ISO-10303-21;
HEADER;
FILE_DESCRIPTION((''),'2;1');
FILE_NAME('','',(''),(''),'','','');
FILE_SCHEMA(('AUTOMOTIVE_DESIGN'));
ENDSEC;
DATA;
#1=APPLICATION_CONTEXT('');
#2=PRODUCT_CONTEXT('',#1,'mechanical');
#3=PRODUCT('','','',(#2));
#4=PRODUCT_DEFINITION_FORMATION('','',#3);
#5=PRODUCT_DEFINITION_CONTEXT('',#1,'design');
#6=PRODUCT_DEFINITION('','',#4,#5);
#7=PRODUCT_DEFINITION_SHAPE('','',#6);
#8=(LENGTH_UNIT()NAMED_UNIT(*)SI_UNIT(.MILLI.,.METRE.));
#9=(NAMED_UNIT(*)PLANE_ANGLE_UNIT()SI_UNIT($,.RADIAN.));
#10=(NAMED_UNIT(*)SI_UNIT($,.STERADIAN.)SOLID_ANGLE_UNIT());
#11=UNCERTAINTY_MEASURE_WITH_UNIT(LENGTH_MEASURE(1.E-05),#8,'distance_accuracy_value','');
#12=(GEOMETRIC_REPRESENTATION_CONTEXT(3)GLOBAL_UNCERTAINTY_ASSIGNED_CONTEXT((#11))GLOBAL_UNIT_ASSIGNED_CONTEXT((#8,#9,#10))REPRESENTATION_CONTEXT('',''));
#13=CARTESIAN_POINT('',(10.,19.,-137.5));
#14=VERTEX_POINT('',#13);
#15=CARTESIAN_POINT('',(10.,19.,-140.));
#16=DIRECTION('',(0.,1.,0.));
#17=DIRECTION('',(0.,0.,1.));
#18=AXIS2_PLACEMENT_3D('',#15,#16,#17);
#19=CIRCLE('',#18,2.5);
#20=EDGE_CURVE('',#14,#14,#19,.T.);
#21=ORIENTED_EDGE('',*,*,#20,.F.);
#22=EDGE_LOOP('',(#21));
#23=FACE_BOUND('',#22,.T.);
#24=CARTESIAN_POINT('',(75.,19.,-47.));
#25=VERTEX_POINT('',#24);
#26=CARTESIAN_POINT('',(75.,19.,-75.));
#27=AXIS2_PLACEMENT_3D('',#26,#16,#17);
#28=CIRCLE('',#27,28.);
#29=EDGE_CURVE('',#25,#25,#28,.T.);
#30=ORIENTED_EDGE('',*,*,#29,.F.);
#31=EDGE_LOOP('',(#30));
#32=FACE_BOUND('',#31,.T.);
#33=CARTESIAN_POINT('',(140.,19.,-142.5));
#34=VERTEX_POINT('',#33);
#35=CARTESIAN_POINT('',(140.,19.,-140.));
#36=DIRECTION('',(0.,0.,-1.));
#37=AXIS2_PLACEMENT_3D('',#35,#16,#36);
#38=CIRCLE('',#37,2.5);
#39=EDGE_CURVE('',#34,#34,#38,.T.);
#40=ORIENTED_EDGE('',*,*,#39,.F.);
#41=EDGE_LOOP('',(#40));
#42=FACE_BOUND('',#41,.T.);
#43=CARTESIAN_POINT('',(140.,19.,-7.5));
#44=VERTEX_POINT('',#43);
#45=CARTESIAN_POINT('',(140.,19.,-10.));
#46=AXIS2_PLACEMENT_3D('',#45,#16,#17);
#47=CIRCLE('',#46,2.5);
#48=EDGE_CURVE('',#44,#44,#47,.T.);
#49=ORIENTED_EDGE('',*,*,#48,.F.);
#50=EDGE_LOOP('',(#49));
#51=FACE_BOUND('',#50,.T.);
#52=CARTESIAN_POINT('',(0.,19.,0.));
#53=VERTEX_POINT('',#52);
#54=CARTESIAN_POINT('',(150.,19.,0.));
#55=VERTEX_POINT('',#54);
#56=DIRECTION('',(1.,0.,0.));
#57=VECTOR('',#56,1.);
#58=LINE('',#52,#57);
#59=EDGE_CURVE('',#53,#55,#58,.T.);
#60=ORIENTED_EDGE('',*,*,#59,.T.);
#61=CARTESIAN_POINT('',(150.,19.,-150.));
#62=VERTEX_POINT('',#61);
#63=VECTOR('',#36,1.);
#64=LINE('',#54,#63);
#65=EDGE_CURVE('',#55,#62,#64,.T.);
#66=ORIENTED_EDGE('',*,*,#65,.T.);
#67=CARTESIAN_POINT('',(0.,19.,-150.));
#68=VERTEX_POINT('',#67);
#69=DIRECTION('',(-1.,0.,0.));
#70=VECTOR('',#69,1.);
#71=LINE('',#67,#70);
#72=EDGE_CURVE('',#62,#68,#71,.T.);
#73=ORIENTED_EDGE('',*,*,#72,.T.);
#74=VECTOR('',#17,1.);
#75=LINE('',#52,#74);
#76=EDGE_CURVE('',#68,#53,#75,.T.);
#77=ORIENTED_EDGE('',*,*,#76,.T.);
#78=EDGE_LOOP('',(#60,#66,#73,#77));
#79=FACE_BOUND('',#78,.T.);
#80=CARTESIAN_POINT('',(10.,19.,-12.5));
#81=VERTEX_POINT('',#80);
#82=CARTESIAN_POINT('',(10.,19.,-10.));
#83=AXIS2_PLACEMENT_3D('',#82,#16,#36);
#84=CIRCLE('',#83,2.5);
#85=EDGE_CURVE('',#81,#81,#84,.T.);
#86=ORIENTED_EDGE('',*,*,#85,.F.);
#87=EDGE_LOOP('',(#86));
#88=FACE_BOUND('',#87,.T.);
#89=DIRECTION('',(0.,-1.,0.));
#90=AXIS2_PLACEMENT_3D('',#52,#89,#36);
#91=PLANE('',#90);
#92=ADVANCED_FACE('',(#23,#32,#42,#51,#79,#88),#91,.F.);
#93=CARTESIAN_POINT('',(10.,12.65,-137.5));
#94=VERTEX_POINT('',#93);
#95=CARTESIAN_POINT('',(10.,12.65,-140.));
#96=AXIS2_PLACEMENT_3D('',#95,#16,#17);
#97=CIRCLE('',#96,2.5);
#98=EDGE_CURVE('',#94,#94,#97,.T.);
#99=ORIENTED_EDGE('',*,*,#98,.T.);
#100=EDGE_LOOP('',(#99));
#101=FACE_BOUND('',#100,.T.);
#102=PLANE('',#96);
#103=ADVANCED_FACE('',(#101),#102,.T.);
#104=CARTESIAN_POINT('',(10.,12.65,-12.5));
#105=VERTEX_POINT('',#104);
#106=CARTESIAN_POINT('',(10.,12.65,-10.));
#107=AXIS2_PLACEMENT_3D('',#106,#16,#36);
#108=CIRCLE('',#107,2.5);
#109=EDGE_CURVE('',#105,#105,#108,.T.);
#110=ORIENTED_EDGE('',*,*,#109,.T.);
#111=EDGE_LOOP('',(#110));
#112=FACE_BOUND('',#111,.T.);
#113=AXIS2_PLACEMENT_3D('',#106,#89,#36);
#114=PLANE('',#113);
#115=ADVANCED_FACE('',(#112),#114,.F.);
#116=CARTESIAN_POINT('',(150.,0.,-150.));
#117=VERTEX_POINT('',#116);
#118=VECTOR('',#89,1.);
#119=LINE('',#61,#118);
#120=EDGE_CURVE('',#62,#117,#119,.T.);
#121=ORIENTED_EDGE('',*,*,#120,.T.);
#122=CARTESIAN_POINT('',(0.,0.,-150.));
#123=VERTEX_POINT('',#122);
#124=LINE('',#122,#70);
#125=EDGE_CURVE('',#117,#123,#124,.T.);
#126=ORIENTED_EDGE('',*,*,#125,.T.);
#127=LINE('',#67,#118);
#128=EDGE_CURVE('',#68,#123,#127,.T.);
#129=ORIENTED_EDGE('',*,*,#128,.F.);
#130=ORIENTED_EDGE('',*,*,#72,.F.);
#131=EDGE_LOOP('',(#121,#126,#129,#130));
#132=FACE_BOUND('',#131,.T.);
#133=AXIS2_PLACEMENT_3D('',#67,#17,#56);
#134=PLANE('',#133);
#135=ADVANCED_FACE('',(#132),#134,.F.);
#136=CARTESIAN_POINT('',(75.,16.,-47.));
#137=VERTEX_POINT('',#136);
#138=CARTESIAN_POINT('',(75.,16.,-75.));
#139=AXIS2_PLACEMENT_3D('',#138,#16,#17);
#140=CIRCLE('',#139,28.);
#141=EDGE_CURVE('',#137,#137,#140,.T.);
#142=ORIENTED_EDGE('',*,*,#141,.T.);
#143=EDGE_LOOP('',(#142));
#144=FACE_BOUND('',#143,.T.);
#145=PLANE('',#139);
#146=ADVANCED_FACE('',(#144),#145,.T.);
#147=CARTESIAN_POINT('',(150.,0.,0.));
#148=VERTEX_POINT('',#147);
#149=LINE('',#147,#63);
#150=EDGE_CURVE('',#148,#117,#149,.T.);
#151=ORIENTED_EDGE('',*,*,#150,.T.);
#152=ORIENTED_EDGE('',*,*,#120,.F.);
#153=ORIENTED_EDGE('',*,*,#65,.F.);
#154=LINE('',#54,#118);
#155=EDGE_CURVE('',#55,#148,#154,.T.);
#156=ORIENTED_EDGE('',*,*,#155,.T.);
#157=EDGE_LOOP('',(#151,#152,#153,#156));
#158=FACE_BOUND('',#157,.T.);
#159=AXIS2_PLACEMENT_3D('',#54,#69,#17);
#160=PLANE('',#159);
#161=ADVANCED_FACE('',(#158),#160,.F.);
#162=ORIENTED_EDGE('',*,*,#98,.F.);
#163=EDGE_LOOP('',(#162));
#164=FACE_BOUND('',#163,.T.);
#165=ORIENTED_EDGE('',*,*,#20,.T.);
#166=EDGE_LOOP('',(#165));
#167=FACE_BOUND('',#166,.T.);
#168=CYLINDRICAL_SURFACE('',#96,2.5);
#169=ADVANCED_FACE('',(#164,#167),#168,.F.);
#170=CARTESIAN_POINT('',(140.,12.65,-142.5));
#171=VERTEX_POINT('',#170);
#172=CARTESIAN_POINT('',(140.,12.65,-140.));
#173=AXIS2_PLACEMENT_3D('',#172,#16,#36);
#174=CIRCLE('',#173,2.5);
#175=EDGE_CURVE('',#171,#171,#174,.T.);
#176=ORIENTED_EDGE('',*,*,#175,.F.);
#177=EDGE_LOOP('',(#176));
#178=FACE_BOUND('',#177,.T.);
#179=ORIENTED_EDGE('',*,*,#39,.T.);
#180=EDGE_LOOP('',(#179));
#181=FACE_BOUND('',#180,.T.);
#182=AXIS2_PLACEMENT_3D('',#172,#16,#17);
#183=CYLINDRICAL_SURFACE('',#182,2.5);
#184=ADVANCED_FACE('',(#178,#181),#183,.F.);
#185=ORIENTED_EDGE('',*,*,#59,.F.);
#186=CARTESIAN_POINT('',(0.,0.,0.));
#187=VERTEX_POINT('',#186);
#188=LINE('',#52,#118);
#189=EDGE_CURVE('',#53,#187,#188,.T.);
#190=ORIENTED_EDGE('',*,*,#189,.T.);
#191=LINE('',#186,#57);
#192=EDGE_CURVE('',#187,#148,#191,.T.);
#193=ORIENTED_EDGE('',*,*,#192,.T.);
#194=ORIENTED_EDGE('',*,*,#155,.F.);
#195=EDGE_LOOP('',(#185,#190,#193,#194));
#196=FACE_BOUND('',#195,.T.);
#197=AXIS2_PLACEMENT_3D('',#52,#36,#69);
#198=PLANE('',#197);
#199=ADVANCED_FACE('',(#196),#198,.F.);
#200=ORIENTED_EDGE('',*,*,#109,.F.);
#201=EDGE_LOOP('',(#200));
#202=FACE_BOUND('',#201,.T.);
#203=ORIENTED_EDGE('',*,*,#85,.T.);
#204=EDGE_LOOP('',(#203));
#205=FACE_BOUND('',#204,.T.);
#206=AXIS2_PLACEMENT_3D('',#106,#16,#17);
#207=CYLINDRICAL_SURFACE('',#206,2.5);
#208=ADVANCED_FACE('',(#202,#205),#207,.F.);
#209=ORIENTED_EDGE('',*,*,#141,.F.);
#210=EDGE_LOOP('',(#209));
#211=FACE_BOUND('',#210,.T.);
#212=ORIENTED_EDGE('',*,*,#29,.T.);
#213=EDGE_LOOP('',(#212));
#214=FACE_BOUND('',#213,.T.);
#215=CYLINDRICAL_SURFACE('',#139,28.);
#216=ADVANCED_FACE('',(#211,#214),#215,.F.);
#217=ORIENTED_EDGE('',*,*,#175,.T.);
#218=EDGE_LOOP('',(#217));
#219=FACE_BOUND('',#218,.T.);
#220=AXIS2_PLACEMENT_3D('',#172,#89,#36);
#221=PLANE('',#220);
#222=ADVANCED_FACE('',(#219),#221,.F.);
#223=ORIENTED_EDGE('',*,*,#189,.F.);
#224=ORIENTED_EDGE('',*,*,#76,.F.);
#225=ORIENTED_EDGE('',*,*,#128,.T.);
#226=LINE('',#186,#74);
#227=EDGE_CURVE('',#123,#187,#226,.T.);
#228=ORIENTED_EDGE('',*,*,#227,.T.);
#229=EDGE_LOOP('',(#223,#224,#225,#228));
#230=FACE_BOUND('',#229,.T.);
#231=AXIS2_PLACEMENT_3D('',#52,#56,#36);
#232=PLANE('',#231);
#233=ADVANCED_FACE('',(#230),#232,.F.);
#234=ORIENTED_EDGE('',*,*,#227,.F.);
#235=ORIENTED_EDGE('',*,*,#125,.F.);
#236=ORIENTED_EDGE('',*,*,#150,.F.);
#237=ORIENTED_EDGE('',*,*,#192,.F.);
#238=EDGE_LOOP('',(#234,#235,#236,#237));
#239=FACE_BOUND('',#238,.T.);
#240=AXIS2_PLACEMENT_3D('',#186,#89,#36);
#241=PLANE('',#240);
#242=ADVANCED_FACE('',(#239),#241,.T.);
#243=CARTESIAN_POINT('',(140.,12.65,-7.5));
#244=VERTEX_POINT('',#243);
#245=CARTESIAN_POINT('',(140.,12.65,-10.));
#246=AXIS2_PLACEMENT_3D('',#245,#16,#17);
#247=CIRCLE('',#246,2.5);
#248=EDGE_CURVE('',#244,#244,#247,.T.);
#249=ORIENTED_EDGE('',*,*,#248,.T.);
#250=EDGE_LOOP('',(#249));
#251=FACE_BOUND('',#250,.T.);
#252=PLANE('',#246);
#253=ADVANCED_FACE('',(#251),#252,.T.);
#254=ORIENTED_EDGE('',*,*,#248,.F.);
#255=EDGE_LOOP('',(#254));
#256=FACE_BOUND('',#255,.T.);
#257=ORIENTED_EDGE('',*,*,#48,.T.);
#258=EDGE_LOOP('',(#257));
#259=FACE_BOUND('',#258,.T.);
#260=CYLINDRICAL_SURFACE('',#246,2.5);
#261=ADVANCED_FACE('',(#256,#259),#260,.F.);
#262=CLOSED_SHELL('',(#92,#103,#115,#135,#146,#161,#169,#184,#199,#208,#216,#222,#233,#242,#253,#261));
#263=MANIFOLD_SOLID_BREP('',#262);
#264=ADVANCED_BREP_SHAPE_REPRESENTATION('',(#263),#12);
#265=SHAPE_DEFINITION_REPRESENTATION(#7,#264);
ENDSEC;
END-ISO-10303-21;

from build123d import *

# Parameters (mm, degrees)
SKETCH1_W           = 150
SKETCH1_H           = 150
BOSS_EXTRUDE1_DEPTH = 19
SKETCH2_R           = 28
CUT_EXTRUDE1_DEPTH  = 3
SKETCH4_R           = 2.5
CUT_EXTRUDE2_DEPTH  = 6.35


with BuildPart() as part:
    # Sketch1 → Boss-Extrude1 (new body)
    with BuildSketch(Plane(origin=(0, 0, 0), x_dir=(1, 0, 0), z_dir=(0, 1, 0))):
        with Locations((75, 75)):
            Rectangle(SKETCH1_W, SKETCH1_H)
    extrude(amount=BOSS_EXTRUDE1_DEPTH)

    # Sketch2 → Cut-Extrude1 (cut)
    with BuildSketch(Plane(origin=(0, 19, 0), x_dir=(1, 0, 0), z_dir=(0, 1, 0))):
        with Locations((75, 75)):
            Circle(SKETCH2_R)
    extrude(amount=-CUT_EXTRUDE1_DEPTH, mode=Mode.SUBTRACT)

    # Sketch4 → Cut-Extrude2 (cut)
    with BuildSketch(Plane(origin=(0, 19, 0), x_dir=(1, 0, 0), z_dir=(0, 1, 0))):
        with Locations((10, 140)):
            Circle(SKETCH4_R)
        with Locations((140, 140)):
            Circle(SKETCH4_R)
        with Locations((140, 10)):
            Circle(SKETCH4_R)
        with Locations((10, 10)):
            Circle(SKETCH4_R)
    extrude(amount=-CUT_EXTRUDE2_DEPTH, mode=Mode.SUBTRACT)


solid = part.part
